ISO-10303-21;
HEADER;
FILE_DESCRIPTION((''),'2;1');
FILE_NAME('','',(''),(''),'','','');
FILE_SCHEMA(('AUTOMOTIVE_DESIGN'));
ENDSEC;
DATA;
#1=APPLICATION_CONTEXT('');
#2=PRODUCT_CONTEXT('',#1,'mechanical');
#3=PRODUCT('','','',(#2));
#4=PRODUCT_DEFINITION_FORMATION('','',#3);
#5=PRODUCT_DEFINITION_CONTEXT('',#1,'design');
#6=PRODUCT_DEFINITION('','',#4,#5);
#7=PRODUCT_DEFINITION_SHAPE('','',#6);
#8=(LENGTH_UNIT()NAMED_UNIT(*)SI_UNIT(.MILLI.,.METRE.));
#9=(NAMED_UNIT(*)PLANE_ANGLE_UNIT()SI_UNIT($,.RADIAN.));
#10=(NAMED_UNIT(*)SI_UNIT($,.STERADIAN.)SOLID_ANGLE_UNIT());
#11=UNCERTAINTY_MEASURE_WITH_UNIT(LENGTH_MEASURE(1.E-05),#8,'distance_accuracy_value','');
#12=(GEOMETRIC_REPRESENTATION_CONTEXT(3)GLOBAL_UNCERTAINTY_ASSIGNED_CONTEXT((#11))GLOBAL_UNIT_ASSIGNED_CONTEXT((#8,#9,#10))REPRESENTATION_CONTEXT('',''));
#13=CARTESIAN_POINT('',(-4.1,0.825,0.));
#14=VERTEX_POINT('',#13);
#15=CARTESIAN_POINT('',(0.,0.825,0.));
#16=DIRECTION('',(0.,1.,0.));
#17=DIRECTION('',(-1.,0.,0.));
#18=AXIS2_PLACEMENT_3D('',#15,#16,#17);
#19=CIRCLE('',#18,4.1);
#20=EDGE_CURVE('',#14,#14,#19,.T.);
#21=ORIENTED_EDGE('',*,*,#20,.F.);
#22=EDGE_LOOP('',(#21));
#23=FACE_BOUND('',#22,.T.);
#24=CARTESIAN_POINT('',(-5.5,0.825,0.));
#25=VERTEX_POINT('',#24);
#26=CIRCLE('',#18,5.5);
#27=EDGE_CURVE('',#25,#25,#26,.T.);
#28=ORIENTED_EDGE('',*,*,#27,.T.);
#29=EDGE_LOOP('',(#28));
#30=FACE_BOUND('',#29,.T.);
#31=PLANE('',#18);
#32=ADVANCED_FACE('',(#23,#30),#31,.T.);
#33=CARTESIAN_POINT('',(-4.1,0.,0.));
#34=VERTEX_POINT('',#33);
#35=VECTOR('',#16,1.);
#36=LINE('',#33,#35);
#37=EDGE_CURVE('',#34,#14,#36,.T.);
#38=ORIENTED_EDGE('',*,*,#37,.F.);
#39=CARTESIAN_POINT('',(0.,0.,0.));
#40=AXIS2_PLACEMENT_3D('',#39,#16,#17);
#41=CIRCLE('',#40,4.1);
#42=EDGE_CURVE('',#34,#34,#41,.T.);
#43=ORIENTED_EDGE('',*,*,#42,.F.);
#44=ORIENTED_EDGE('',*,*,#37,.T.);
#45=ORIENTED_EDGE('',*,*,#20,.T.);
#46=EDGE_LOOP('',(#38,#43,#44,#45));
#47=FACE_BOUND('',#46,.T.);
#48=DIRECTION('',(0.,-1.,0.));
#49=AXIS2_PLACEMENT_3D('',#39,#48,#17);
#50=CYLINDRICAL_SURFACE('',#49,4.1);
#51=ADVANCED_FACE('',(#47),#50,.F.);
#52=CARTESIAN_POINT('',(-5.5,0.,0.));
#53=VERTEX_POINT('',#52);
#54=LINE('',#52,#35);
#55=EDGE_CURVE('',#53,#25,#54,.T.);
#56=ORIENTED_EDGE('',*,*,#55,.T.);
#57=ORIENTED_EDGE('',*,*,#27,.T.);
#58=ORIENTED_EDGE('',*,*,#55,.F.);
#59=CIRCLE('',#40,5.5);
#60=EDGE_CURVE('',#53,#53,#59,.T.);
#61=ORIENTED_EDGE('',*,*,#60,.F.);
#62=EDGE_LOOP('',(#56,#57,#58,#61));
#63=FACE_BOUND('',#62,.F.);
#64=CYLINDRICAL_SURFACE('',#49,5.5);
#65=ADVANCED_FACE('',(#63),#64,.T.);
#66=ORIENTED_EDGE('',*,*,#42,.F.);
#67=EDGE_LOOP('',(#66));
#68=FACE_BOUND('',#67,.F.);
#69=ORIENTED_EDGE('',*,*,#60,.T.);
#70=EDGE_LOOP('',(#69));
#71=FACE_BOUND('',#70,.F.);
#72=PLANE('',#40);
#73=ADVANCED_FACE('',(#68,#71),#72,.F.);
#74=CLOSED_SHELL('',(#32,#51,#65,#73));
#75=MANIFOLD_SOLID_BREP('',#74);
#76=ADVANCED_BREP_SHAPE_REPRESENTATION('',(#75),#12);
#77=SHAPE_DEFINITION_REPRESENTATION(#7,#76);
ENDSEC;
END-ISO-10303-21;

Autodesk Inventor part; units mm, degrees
ref_plane "YZ Plane" through (0, 0, 0) normal (1, 0, 0) x (0, 1, 0)
ref_plane "XZ Plane" through (0, 0, 0) normal (0, 1, 0) x (-1, 0, 0)
ref_plane "XY Plane" through (0, 0, 0) normal (0, 0, 1) x (1, 0, 0)
sketch "Sketch1" plane through (0, 0, 0) normal (0, 1, 0) x (-1, 0, 0)
  circle A0 centre (0, 0) radius 4.1
  circle A1 centre (0, 0) radius 5.5
  dimension "d0" = 8.2
  dimension "d1" = 11
extrude "Extrusion1" add sketch "Sketch1" along normal blind 0.825
properties part number "DifferentialMountingShim"
